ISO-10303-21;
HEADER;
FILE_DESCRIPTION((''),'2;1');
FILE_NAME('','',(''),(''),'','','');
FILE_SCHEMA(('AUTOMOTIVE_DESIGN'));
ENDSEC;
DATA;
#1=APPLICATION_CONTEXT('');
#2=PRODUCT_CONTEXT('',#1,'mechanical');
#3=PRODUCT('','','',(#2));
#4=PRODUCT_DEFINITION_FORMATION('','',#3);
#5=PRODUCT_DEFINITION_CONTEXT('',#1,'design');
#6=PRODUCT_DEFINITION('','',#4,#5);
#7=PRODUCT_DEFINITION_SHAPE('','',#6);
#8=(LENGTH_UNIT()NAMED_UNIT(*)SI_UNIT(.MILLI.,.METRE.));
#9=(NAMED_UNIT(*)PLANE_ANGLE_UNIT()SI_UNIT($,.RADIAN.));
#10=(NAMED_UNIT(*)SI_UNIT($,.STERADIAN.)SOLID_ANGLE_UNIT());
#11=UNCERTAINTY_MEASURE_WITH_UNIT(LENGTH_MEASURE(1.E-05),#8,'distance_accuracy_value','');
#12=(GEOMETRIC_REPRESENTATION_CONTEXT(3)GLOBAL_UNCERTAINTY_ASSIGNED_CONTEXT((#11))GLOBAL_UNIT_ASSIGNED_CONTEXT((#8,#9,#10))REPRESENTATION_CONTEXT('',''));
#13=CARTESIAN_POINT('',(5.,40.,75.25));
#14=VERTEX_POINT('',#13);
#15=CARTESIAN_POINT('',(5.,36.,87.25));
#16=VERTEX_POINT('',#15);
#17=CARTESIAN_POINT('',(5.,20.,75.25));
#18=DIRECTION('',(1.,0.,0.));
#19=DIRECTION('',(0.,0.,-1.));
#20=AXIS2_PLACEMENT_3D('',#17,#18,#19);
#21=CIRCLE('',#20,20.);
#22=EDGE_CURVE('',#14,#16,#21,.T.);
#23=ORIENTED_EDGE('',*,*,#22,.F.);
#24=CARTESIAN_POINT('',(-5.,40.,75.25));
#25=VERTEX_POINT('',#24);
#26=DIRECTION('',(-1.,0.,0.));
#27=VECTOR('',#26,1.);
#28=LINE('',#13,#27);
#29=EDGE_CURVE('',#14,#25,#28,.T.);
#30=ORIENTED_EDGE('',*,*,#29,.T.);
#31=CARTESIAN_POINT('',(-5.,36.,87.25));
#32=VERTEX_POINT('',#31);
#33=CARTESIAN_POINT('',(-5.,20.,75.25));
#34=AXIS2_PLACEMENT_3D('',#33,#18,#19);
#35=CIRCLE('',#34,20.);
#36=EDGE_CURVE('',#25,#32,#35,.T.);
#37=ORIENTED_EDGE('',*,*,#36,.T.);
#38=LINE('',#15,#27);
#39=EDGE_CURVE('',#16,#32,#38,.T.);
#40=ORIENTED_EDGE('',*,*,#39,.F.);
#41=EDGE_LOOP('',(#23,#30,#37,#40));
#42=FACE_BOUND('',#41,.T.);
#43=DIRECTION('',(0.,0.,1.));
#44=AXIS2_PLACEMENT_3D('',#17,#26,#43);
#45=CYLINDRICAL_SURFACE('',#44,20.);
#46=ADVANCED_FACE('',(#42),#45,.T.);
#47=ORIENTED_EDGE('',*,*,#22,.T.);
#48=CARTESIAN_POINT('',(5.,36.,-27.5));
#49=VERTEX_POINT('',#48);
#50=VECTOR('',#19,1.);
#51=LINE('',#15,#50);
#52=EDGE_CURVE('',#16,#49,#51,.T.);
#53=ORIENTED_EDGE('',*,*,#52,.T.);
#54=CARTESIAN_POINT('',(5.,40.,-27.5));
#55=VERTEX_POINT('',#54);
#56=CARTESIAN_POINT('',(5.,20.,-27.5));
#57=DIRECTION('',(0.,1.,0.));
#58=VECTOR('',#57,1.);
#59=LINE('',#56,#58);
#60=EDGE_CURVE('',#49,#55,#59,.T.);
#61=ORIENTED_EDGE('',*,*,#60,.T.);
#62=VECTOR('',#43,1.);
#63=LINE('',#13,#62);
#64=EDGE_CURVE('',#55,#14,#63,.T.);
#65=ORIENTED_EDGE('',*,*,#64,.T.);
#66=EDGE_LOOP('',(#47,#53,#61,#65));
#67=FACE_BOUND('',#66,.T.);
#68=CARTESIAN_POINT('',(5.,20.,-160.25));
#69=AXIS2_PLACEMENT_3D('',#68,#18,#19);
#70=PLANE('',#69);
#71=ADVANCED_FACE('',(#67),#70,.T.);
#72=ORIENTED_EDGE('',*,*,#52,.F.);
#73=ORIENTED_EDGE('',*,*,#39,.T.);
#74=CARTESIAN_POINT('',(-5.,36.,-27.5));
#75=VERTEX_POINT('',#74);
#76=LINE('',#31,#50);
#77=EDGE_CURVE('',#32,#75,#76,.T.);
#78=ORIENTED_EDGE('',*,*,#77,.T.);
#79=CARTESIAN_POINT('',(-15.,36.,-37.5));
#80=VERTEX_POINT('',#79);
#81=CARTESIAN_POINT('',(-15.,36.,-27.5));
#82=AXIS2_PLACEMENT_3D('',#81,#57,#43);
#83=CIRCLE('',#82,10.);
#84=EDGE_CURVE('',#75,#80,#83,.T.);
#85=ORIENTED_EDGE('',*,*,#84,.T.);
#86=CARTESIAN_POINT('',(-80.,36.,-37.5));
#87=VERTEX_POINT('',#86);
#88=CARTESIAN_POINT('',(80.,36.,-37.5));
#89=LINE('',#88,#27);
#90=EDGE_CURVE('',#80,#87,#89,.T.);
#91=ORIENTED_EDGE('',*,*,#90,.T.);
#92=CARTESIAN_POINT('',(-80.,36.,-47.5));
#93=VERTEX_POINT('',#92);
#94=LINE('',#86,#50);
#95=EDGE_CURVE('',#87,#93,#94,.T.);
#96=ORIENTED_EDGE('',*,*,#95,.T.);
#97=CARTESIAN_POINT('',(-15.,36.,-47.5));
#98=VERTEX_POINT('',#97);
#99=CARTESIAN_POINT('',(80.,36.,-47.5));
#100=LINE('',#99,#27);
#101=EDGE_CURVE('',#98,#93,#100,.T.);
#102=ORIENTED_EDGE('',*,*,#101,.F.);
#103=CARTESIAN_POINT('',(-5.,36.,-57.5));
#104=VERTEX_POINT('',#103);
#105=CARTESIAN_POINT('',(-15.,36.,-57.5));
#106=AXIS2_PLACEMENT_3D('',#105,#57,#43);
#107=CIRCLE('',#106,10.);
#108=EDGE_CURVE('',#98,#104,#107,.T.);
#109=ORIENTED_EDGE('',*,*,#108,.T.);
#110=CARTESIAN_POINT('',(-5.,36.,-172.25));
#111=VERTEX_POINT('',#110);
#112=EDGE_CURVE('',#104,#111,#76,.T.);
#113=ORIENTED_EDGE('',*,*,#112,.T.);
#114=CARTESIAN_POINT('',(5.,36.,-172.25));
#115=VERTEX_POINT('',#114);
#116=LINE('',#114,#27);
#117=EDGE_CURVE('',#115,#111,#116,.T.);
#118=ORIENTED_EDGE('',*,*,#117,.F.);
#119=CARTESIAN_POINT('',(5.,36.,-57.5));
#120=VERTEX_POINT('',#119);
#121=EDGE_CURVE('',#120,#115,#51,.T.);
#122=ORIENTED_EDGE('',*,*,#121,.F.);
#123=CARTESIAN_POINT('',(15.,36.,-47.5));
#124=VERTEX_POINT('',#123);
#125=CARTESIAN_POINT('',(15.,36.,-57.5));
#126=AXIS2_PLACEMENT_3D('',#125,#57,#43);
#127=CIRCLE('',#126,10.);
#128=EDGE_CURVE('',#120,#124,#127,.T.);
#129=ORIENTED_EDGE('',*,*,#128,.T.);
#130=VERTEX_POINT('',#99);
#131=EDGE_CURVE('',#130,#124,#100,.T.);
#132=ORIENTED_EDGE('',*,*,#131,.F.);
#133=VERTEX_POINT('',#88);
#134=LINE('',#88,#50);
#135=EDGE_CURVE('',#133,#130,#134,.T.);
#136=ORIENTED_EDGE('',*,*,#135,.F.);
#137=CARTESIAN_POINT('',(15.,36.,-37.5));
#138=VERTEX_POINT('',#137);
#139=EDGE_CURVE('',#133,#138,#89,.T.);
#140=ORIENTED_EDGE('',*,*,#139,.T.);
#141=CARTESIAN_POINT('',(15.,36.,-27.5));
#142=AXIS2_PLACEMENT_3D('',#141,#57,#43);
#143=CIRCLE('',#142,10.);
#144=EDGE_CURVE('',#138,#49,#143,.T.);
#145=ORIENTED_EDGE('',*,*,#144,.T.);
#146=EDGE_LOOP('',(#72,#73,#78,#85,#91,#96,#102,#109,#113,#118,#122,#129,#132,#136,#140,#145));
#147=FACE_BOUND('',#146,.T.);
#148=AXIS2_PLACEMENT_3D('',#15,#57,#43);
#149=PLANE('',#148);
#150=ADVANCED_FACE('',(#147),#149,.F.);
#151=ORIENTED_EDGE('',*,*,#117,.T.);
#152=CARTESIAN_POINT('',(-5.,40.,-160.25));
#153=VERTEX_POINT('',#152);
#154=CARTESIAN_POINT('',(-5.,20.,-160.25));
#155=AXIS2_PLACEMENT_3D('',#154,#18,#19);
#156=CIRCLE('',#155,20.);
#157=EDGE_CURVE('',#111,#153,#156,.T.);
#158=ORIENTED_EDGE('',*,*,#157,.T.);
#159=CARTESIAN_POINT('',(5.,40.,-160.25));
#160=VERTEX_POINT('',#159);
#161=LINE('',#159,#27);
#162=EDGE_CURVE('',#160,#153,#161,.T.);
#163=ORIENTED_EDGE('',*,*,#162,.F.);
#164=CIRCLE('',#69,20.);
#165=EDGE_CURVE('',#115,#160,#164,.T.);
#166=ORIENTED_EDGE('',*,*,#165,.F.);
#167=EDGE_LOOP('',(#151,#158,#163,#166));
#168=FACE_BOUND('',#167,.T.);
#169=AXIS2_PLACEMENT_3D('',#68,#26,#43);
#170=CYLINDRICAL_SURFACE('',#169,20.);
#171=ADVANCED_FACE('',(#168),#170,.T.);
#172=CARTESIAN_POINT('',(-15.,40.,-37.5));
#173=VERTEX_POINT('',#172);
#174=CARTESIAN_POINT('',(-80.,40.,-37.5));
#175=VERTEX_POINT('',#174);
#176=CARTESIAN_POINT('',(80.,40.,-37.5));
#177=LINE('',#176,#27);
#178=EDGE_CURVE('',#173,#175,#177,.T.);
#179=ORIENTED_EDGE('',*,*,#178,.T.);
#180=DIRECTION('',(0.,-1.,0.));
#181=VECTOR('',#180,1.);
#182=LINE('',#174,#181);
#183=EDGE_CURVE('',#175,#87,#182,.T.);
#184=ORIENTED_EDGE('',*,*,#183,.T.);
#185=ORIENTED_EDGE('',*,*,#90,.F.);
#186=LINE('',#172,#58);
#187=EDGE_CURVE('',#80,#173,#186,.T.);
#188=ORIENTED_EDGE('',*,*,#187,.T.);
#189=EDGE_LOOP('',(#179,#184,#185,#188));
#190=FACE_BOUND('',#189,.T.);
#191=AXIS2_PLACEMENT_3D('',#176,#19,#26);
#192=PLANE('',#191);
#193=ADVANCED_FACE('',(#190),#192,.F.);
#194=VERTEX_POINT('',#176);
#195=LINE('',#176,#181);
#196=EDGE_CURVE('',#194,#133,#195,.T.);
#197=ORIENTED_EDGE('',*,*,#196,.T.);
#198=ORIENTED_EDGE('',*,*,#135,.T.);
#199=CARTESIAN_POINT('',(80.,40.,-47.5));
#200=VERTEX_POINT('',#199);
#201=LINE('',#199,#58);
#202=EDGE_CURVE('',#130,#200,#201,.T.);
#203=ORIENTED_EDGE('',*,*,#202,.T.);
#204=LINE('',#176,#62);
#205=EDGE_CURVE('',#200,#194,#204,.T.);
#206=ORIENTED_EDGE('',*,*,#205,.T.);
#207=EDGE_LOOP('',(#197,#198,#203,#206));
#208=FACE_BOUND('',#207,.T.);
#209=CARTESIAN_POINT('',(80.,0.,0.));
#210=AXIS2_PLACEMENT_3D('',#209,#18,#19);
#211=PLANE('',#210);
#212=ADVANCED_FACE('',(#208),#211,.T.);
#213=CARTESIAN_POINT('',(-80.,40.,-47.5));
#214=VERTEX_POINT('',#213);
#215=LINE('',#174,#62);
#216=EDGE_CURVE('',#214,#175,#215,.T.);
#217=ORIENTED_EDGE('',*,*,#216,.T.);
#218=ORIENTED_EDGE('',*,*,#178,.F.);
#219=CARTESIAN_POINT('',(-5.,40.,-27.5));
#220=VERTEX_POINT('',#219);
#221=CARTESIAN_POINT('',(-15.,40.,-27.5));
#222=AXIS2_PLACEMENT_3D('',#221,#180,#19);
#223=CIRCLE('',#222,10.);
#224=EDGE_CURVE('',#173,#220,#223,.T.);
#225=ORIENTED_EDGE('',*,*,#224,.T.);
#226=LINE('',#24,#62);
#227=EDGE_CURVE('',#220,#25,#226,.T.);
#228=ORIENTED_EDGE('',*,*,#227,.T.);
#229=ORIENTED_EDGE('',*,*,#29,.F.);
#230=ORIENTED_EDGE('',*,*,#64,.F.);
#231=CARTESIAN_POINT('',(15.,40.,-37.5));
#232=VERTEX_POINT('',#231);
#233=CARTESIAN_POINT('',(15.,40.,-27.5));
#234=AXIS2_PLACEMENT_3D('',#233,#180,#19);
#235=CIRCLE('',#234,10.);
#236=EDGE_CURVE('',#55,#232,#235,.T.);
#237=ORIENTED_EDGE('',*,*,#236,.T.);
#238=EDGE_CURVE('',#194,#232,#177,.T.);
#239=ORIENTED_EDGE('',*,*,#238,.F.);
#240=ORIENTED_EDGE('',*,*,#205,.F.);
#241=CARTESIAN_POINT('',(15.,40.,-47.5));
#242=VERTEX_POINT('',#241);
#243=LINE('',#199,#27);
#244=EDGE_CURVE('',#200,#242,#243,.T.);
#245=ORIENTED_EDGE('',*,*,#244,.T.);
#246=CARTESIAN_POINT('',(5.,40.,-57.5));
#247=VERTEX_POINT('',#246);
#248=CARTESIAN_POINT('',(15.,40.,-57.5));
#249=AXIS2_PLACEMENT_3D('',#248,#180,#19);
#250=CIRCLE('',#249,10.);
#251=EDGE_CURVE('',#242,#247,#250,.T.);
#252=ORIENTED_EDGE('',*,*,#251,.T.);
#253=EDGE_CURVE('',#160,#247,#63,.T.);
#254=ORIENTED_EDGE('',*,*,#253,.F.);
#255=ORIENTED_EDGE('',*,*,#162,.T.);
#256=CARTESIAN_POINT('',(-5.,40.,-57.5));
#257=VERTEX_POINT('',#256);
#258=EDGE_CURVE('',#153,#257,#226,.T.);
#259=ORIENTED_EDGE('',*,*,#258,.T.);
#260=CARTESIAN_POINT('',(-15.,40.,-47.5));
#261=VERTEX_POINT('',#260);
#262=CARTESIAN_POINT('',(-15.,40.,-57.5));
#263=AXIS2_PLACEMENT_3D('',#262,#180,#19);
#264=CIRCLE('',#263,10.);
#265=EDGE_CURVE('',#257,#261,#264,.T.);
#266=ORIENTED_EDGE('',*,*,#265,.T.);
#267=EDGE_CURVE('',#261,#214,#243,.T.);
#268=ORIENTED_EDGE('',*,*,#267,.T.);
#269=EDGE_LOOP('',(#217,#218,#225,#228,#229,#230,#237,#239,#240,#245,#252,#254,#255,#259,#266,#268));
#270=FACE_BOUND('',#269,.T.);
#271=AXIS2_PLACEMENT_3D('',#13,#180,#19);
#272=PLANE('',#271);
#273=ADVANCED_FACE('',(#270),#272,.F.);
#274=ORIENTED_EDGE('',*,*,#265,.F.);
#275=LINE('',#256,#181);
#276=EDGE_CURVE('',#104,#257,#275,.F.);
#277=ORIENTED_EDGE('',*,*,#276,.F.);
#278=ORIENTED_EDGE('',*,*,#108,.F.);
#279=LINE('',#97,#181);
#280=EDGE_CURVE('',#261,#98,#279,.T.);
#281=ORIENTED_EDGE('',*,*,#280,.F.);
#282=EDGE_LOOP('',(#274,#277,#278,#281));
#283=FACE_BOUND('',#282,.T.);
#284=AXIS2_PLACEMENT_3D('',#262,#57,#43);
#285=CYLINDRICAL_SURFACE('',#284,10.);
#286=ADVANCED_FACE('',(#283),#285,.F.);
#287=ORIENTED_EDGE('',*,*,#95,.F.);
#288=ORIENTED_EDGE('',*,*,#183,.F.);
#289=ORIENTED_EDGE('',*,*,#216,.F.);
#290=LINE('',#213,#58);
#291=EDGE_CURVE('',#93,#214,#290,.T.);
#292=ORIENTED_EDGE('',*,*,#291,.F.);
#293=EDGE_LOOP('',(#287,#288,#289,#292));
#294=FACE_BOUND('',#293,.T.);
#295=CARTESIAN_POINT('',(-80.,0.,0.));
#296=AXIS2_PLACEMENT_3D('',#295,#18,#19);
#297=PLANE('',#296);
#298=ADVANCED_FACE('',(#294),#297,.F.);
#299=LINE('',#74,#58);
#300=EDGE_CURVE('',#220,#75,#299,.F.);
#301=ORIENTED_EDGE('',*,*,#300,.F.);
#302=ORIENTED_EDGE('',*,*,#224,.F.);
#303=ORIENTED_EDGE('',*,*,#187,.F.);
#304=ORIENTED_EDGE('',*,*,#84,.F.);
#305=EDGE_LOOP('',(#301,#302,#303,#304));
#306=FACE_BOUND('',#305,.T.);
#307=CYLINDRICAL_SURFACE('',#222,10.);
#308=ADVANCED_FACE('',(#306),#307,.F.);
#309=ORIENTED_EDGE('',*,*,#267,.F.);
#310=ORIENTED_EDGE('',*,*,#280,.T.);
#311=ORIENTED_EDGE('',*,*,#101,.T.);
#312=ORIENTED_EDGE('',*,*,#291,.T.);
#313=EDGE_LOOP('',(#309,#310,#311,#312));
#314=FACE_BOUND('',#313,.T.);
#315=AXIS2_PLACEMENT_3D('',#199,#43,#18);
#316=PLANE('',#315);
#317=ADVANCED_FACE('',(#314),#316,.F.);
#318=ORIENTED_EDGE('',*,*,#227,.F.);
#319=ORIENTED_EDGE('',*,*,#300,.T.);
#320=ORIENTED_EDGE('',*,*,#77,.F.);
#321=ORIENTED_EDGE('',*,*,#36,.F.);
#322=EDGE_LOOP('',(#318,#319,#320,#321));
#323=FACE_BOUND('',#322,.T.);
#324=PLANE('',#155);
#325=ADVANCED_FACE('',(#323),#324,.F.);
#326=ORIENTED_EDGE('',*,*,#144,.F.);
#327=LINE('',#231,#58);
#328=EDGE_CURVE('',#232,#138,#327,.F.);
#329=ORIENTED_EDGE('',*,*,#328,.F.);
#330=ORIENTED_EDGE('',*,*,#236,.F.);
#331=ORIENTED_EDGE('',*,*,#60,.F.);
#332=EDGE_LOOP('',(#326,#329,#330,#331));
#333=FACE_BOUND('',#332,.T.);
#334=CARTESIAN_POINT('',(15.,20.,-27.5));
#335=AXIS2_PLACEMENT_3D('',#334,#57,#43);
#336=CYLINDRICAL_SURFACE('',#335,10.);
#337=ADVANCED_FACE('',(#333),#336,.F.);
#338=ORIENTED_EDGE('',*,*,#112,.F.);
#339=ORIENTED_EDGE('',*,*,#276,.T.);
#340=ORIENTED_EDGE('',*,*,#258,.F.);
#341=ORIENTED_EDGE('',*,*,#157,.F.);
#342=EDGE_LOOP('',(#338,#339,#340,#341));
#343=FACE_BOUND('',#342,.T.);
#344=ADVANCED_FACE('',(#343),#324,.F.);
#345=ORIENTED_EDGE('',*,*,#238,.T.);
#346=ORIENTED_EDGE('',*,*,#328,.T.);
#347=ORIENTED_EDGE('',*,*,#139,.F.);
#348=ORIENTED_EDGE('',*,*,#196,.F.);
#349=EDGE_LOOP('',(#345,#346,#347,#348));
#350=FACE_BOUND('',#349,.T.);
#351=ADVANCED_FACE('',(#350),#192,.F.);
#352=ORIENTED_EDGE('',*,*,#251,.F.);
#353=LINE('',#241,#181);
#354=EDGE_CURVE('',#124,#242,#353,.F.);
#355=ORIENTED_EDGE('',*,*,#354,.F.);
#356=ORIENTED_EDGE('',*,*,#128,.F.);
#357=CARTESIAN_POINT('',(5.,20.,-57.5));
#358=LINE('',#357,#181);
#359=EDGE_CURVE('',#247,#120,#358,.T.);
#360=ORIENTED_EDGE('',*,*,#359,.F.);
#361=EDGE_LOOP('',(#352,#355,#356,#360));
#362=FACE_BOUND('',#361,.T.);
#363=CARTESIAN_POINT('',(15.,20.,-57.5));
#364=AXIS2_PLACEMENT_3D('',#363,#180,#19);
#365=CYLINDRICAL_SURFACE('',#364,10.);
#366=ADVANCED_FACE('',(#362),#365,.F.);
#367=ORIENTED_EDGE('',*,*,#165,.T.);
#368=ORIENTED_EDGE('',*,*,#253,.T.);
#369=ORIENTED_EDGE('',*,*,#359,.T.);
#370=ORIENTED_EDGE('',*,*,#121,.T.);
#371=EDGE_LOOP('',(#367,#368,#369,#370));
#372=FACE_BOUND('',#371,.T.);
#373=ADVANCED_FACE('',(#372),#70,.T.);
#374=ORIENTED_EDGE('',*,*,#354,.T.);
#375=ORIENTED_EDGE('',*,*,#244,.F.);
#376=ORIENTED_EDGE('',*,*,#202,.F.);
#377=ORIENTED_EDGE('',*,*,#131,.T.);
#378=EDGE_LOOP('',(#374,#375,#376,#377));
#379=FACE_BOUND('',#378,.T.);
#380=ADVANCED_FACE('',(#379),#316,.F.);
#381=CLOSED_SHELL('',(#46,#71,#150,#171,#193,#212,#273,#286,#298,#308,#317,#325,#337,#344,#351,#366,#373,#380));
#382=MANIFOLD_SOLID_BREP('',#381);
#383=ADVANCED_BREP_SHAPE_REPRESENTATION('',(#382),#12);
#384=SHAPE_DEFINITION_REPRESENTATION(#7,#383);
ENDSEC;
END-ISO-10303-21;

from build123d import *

# Parameters (mm, degrees)
BOSS_EXTRUDE1_DEPTH = 5
SKETCH2_W           = 10
SKETCH2_H           = 4
BOSS_EXTRUDE2_DEPTH = 80
FILLET1_R           = 10


with BuildPart() as part:
    # Sketch1 → Boss-Extrude1 (new, symmetric)
    with BuildSketch(Plane(origin=(0, 0, 0), x_dir=(0, 0, -1), z_dir=(1, 0, 0))):
        with BuildLine():
            Line((-75.25, 40), (160.25, 40))
            ThreePointArc((160.25, 40), (166.57455532, 38.973665961), (172.25, 36))
            Line((172.25, 36), (-87.25, 36))
            ThreePointArc((-87.25, 36), (-81.57455532, 38.973665961), (-75.25, 40))
        make_face()
    extrude(amount=BOSS_EXTRUDE1_DEPTH, both=True)

    # Sketch2 → Boss-Extrude2 (add, symmetric)
    with BuildSketch(Plane(origin=(0, 0, 0), x_dir=(0, 0, -1), z_dir=(1, 0, 0))):
        with Locations((42.5, 38)):
            Rectangle(SKETCH2_W, SKETCH2_H)
    extrude(amount=BOSS_EXTRUDE2_DEPTH, both=True)

    # Fillet1
    fillet1_edges = [part.edges().sort_by_distance(p)[0] for p in [
        (-5, 38, -47.5),
        (-5, 38, -37.5),
        (5, 38, -37.5),
        (5, 38, -47.5),
    ]]
    fillet(fillet1_edges, radius=FILLET1_R)


solid = part.part
